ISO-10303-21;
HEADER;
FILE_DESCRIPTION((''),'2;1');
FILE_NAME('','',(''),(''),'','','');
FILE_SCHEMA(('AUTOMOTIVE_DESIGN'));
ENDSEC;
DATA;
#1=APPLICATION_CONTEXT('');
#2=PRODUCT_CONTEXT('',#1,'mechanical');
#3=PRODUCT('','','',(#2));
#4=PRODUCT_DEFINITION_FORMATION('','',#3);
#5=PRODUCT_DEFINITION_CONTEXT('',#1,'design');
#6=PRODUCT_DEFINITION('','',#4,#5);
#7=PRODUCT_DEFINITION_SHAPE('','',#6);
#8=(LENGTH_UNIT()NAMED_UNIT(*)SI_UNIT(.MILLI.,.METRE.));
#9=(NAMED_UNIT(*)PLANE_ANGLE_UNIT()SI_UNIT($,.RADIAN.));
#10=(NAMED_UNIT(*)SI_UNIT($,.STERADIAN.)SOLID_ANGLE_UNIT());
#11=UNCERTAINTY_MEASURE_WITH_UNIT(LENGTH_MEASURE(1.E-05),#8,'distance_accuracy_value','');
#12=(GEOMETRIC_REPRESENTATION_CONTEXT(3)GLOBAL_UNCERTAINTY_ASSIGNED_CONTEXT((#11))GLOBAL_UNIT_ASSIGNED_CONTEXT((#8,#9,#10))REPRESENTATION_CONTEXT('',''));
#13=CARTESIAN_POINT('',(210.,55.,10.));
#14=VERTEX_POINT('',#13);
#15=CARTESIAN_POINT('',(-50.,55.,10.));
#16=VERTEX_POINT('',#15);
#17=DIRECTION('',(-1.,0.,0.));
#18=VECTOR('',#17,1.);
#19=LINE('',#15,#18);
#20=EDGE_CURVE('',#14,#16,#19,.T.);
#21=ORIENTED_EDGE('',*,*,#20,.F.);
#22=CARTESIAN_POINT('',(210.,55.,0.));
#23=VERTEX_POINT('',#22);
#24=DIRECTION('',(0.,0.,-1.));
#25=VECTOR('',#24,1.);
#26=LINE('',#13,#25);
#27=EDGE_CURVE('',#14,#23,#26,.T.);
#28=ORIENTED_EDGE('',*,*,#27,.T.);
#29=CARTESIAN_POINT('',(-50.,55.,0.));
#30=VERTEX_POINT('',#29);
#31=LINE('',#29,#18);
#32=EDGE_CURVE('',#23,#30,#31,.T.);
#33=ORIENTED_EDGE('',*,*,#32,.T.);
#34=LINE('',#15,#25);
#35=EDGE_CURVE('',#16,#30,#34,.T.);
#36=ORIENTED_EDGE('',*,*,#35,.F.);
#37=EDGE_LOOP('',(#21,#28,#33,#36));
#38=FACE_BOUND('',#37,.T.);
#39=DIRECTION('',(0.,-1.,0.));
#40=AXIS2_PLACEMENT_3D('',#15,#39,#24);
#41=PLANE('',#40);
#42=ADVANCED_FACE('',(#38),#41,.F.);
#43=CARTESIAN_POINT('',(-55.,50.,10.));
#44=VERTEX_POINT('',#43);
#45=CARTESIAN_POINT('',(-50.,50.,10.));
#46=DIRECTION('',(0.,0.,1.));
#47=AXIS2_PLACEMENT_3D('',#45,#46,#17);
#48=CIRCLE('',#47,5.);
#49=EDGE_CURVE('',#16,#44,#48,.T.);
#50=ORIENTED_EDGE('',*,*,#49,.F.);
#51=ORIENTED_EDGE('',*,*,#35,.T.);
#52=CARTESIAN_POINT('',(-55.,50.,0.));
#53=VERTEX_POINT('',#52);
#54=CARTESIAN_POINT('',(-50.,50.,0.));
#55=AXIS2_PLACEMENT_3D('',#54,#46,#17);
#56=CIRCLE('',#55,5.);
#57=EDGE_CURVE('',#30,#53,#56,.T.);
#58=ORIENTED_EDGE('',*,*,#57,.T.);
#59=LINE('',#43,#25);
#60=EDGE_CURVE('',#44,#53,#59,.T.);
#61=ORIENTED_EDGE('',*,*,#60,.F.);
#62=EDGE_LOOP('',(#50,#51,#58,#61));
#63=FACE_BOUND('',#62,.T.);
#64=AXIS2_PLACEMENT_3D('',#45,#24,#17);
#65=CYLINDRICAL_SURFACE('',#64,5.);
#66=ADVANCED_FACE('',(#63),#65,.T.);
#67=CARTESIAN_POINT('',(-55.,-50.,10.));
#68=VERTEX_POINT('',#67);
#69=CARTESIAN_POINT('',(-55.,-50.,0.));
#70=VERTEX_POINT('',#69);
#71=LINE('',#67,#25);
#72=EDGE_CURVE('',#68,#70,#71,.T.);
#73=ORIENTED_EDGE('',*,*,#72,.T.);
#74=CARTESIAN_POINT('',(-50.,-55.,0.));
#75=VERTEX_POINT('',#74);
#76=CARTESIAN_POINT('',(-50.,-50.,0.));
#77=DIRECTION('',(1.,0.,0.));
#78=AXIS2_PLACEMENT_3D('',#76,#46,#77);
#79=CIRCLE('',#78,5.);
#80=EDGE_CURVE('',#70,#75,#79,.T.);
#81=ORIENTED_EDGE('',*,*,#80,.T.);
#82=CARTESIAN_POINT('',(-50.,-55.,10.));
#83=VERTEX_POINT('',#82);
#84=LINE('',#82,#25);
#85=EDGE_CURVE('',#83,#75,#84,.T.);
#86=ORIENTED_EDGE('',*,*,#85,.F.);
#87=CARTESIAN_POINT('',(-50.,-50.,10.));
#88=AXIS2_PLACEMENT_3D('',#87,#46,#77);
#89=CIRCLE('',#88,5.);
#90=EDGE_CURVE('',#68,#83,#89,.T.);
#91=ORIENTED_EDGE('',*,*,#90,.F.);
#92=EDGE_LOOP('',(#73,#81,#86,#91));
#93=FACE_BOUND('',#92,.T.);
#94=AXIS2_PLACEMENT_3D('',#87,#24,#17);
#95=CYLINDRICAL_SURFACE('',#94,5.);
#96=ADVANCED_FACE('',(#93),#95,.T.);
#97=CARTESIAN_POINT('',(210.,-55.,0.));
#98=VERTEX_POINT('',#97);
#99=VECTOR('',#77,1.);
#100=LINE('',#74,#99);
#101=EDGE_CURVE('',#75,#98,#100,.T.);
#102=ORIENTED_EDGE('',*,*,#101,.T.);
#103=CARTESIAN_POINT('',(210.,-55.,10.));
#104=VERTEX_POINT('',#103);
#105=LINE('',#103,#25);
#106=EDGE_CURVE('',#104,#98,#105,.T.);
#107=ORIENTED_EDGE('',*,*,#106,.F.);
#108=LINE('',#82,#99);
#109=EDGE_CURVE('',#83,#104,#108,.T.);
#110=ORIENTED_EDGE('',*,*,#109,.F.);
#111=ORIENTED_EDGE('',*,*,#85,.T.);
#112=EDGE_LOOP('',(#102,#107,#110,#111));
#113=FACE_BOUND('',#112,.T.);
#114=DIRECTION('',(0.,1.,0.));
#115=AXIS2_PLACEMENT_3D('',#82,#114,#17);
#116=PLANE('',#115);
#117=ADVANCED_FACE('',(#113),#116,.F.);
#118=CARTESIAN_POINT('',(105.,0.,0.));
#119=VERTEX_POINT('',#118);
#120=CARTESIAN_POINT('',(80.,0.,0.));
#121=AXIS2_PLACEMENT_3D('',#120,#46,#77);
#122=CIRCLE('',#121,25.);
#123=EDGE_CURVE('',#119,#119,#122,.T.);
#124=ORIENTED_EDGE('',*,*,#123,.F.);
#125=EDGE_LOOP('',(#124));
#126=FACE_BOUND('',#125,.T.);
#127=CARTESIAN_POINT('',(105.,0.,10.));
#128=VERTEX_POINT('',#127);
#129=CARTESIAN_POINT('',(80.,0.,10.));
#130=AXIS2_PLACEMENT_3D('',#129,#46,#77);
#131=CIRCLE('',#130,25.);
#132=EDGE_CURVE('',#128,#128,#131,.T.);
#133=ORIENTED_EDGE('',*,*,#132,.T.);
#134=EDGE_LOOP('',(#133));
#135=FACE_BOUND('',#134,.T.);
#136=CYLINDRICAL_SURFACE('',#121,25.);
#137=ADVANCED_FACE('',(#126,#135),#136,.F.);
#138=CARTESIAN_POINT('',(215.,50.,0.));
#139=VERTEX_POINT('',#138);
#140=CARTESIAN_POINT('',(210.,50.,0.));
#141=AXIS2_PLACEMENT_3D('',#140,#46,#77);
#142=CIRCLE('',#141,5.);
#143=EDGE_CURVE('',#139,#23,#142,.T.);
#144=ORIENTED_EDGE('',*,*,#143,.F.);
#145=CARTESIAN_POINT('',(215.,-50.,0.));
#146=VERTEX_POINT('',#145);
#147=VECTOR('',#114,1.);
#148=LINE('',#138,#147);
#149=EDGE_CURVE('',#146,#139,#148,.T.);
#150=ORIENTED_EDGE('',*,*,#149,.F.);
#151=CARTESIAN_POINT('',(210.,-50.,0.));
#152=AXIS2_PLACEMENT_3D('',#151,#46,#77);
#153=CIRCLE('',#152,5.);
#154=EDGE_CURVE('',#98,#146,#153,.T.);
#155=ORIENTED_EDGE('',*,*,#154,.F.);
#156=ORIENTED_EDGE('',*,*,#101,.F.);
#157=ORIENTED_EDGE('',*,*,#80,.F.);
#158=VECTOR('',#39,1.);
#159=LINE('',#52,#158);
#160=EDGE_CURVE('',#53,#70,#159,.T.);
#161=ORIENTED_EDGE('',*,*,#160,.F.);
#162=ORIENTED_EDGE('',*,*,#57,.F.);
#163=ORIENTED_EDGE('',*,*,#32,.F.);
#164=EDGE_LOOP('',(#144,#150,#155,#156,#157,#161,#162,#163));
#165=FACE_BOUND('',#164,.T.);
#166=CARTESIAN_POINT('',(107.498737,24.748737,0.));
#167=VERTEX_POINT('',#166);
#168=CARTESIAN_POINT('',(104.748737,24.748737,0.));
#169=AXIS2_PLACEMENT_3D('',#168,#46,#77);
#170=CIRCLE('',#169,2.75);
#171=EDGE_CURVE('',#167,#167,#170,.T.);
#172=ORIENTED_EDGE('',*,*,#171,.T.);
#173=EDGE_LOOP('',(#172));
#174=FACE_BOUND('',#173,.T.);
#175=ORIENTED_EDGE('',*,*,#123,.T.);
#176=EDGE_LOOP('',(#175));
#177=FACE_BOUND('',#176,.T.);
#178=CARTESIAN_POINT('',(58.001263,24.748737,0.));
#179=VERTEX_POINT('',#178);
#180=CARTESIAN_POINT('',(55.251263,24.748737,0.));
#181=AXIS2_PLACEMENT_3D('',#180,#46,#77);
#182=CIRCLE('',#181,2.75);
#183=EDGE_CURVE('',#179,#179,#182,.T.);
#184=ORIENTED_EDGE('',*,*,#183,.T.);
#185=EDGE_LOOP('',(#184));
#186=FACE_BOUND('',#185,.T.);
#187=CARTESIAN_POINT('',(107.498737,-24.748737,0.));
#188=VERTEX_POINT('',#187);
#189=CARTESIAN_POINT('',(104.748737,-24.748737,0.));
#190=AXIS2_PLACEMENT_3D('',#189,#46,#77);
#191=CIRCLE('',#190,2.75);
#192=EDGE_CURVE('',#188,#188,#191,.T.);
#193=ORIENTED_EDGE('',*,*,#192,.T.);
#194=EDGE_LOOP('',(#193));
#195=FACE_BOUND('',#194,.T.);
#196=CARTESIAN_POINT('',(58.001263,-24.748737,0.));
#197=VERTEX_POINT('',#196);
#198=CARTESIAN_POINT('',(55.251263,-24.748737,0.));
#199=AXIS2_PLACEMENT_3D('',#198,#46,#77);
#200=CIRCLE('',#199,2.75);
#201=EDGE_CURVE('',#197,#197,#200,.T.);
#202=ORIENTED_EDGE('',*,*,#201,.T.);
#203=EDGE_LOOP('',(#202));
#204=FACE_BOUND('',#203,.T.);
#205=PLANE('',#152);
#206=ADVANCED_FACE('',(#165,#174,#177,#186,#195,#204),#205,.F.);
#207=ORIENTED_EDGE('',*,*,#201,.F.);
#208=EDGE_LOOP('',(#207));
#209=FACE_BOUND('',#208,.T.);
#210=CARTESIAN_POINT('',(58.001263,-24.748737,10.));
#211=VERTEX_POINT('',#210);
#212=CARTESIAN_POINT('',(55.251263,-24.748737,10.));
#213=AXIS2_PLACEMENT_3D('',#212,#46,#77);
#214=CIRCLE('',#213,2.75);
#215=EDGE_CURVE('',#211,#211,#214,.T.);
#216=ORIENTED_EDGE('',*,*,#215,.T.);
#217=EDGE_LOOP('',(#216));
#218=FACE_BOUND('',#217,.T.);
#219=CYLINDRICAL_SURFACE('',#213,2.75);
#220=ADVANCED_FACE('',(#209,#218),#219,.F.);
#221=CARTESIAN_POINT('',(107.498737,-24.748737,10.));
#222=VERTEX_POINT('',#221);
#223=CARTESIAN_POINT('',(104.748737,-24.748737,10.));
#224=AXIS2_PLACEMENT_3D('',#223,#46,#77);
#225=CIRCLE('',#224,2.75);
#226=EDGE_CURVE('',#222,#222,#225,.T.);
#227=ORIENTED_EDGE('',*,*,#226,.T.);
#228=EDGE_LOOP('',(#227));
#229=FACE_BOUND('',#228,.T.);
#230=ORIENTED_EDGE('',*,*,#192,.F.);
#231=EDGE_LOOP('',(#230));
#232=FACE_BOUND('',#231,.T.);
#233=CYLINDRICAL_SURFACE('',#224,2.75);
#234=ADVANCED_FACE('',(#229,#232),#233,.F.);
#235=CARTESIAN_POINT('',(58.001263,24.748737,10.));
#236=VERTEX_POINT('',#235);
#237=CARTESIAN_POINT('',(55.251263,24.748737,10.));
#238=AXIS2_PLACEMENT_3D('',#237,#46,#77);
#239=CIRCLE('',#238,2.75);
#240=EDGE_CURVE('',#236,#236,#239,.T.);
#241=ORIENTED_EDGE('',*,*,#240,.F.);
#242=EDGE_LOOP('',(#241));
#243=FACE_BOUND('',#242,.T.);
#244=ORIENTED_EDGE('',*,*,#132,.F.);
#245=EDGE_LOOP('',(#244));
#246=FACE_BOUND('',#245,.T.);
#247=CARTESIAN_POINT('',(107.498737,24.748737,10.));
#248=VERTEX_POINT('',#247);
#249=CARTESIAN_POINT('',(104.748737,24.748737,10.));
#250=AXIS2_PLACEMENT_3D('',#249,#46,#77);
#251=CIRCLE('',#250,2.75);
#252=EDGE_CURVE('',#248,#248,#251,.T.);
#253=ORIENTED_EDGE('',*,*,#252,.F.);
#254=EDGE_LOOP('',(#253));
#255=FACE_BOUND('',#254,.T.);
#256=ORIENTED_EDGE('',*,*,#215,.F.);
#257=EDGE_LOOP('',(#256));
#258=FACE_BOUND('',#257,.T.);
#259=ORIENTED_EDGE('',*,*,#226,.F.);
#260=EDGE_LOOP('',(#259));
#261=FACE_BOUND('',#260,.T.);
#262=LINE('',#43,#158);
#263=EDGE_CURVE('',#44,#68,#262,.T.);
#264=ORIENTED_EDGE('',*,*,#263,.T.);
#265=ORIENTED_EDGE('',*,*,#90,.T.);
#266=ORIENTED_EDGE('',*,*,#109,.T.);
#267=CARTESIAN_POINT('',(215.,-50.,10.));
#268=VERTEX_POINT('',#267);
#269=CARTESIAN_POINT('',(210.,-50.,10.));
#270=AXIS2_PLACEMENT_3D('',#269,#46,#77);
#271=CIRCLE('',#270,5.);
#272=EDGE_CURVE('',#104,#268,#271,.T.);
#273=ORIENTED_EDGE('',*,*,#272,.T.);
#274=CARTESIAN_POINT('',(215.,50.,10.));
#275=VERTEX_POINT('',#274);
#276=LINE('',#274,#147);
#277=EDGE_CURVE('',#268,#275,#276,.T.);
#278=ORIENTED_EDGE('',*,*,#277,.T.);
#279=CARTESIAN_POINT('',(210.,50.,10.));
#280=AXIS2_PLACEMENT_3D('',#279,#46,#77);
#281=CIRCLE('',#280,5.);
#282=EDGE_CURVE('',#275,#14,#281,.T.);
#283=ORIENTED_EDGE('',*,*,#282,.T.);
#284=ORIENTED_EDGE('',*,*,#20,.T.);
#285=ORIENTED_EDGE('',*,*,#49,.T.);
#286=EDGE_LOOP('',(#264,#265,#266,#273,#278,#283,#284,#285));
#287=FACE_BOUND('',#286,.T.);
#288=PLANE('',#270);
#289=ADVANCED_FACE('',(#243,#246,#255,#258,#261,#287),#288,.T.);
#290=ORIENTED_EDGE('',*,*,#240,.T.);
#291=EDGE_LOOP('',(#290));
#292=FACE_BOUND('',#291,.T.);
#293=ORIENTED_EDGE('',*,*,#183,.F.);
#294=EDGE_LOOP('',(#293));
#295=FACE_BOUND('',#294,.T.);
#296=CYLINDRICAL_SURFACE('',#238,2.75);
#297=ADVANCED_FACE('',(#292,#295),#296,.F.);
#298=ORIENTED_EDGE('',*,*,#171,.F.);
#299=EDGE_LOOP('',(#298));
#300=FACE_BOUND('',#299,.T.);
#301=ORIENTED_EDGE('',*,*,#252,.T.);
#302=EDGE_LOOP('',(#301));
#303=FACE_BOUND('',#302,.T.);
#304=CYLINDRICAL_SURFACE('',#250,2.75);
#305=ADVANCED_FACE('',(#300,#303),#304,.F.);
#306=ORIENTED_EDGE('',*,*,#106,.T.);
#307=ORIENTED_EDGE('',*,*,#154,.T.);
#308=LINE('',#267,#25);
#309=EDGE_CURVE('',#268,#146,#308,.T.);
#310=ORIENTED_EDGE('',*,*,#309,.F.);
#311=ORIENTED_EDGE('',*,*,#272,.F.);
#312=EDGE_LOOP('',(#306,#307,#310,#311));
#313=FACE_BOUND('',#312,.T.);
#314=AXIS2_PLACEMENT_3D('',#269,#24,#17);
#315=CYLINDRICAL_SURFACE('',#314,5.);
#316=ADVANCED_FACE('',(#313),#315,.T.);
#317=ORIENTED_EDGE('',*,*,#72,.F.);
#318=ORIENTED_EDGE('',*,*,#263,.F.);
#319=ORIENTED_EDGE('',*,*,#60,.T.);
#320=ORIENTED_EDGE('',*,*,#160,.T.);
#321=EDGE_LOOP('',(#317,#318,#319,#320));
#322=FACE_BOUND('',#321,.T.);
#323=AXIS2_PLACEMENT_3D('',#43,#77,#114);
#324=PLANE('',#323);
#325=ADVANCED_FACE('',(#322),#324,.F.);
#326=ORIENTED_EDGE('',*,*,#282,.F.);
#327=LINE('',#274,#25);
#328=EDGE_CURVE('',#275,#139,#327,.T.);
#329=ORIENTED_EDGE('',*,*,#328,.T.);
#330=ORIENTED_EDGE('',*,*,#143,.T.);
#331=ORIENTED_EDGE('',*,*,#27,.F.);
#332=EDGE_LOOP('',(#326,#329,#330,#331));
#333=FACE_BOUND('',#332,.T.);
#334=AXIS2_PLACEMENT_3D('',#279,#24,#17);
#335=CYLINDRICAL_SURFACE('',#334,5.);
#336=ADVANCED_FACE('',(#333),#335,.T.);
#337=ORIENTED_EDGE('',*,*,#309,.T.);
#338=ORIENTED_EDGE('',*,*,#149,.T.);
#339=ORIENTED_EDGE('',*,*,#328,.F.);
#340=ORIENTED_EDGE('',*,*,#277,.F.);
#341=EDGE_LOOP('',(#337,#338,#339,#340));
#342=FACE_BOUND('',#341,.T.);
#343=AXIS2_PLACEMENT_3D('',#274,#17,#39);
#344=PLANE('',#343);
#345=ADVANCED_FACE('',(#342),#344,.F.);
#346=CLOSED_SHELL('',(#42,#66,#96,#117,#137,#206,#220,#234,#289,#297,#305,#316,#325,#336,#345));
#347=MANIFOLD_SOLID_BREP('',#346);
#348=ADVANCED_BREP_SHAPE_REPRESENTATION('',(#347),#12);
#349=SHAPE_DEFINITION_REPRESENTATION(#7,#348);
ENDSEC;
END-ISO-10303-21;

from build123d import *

# Parameters (mm, degrees)
BOSS_EXTRUDE1_DEPTH  = 10
SKETCH2_R            = 25
CUT_EXTRUDE1_DEPTH   = 776.358804999
M5_CLEARANCE_HOLE1_D = 5.5


with BuildPart() as part:
    # Sketch1 → Boss-Extrude1 (new body)
    with BuildSketch(Plane.XY):
        with BuildLine():
            Line((-55, 50), (-55, -50))
            ThreePointArc((-55, -50), (-53.535533906, -53.535533906), (-50, -55))
            Line((-50, -55), (210, -55))
            ThreePointArc((210, -55), (213.535533906, -53.535533906), (215, -50))
            Line((215, -50), (215, 50))
            ThreePointArc((215, 50), (213.535533906, 53.535533906), (210, 55))
            Line((210, 55), (-50, 55))
            ThreePointArc((-50, 55), (-53.535533906, 53.535533906), (-55, 50))
        make_face()
    extrude(amount=BOSS_EXTRUDE1_DEPTH)

    # Sketch2 → Cut-Extrude1 (cut, through all)
    with BuildSketch(Plane(origin=(-479.845790405, 288.904934605, 10), x_dir=(1, 0, 0), z_dir=(0, 0, 1))):
        with Locations((559.845790405, -288.904934605)):
            Circle(SKETCH2_R)
    extrude(amount=-CUT_EXTRUDE1_DEPTH, mode=Mode.SUBTRACT)

    # M5 Clearance Hole1 (through all)
    with Locations(Plane(origin=(-479.845790405, 288.904934605, 10), x_dir=(1, 0, 0), z_dir=(0, 0, 1))):
        with Locations((535.097053063, -264.156197264), (584.594527746, -264.156197264), (584.594527746, -313.653671947), (535.097053063, -313.653671947)):
            Hole(M5_CLEARANCE_HOLE1_D / 2)


solid = part.part
